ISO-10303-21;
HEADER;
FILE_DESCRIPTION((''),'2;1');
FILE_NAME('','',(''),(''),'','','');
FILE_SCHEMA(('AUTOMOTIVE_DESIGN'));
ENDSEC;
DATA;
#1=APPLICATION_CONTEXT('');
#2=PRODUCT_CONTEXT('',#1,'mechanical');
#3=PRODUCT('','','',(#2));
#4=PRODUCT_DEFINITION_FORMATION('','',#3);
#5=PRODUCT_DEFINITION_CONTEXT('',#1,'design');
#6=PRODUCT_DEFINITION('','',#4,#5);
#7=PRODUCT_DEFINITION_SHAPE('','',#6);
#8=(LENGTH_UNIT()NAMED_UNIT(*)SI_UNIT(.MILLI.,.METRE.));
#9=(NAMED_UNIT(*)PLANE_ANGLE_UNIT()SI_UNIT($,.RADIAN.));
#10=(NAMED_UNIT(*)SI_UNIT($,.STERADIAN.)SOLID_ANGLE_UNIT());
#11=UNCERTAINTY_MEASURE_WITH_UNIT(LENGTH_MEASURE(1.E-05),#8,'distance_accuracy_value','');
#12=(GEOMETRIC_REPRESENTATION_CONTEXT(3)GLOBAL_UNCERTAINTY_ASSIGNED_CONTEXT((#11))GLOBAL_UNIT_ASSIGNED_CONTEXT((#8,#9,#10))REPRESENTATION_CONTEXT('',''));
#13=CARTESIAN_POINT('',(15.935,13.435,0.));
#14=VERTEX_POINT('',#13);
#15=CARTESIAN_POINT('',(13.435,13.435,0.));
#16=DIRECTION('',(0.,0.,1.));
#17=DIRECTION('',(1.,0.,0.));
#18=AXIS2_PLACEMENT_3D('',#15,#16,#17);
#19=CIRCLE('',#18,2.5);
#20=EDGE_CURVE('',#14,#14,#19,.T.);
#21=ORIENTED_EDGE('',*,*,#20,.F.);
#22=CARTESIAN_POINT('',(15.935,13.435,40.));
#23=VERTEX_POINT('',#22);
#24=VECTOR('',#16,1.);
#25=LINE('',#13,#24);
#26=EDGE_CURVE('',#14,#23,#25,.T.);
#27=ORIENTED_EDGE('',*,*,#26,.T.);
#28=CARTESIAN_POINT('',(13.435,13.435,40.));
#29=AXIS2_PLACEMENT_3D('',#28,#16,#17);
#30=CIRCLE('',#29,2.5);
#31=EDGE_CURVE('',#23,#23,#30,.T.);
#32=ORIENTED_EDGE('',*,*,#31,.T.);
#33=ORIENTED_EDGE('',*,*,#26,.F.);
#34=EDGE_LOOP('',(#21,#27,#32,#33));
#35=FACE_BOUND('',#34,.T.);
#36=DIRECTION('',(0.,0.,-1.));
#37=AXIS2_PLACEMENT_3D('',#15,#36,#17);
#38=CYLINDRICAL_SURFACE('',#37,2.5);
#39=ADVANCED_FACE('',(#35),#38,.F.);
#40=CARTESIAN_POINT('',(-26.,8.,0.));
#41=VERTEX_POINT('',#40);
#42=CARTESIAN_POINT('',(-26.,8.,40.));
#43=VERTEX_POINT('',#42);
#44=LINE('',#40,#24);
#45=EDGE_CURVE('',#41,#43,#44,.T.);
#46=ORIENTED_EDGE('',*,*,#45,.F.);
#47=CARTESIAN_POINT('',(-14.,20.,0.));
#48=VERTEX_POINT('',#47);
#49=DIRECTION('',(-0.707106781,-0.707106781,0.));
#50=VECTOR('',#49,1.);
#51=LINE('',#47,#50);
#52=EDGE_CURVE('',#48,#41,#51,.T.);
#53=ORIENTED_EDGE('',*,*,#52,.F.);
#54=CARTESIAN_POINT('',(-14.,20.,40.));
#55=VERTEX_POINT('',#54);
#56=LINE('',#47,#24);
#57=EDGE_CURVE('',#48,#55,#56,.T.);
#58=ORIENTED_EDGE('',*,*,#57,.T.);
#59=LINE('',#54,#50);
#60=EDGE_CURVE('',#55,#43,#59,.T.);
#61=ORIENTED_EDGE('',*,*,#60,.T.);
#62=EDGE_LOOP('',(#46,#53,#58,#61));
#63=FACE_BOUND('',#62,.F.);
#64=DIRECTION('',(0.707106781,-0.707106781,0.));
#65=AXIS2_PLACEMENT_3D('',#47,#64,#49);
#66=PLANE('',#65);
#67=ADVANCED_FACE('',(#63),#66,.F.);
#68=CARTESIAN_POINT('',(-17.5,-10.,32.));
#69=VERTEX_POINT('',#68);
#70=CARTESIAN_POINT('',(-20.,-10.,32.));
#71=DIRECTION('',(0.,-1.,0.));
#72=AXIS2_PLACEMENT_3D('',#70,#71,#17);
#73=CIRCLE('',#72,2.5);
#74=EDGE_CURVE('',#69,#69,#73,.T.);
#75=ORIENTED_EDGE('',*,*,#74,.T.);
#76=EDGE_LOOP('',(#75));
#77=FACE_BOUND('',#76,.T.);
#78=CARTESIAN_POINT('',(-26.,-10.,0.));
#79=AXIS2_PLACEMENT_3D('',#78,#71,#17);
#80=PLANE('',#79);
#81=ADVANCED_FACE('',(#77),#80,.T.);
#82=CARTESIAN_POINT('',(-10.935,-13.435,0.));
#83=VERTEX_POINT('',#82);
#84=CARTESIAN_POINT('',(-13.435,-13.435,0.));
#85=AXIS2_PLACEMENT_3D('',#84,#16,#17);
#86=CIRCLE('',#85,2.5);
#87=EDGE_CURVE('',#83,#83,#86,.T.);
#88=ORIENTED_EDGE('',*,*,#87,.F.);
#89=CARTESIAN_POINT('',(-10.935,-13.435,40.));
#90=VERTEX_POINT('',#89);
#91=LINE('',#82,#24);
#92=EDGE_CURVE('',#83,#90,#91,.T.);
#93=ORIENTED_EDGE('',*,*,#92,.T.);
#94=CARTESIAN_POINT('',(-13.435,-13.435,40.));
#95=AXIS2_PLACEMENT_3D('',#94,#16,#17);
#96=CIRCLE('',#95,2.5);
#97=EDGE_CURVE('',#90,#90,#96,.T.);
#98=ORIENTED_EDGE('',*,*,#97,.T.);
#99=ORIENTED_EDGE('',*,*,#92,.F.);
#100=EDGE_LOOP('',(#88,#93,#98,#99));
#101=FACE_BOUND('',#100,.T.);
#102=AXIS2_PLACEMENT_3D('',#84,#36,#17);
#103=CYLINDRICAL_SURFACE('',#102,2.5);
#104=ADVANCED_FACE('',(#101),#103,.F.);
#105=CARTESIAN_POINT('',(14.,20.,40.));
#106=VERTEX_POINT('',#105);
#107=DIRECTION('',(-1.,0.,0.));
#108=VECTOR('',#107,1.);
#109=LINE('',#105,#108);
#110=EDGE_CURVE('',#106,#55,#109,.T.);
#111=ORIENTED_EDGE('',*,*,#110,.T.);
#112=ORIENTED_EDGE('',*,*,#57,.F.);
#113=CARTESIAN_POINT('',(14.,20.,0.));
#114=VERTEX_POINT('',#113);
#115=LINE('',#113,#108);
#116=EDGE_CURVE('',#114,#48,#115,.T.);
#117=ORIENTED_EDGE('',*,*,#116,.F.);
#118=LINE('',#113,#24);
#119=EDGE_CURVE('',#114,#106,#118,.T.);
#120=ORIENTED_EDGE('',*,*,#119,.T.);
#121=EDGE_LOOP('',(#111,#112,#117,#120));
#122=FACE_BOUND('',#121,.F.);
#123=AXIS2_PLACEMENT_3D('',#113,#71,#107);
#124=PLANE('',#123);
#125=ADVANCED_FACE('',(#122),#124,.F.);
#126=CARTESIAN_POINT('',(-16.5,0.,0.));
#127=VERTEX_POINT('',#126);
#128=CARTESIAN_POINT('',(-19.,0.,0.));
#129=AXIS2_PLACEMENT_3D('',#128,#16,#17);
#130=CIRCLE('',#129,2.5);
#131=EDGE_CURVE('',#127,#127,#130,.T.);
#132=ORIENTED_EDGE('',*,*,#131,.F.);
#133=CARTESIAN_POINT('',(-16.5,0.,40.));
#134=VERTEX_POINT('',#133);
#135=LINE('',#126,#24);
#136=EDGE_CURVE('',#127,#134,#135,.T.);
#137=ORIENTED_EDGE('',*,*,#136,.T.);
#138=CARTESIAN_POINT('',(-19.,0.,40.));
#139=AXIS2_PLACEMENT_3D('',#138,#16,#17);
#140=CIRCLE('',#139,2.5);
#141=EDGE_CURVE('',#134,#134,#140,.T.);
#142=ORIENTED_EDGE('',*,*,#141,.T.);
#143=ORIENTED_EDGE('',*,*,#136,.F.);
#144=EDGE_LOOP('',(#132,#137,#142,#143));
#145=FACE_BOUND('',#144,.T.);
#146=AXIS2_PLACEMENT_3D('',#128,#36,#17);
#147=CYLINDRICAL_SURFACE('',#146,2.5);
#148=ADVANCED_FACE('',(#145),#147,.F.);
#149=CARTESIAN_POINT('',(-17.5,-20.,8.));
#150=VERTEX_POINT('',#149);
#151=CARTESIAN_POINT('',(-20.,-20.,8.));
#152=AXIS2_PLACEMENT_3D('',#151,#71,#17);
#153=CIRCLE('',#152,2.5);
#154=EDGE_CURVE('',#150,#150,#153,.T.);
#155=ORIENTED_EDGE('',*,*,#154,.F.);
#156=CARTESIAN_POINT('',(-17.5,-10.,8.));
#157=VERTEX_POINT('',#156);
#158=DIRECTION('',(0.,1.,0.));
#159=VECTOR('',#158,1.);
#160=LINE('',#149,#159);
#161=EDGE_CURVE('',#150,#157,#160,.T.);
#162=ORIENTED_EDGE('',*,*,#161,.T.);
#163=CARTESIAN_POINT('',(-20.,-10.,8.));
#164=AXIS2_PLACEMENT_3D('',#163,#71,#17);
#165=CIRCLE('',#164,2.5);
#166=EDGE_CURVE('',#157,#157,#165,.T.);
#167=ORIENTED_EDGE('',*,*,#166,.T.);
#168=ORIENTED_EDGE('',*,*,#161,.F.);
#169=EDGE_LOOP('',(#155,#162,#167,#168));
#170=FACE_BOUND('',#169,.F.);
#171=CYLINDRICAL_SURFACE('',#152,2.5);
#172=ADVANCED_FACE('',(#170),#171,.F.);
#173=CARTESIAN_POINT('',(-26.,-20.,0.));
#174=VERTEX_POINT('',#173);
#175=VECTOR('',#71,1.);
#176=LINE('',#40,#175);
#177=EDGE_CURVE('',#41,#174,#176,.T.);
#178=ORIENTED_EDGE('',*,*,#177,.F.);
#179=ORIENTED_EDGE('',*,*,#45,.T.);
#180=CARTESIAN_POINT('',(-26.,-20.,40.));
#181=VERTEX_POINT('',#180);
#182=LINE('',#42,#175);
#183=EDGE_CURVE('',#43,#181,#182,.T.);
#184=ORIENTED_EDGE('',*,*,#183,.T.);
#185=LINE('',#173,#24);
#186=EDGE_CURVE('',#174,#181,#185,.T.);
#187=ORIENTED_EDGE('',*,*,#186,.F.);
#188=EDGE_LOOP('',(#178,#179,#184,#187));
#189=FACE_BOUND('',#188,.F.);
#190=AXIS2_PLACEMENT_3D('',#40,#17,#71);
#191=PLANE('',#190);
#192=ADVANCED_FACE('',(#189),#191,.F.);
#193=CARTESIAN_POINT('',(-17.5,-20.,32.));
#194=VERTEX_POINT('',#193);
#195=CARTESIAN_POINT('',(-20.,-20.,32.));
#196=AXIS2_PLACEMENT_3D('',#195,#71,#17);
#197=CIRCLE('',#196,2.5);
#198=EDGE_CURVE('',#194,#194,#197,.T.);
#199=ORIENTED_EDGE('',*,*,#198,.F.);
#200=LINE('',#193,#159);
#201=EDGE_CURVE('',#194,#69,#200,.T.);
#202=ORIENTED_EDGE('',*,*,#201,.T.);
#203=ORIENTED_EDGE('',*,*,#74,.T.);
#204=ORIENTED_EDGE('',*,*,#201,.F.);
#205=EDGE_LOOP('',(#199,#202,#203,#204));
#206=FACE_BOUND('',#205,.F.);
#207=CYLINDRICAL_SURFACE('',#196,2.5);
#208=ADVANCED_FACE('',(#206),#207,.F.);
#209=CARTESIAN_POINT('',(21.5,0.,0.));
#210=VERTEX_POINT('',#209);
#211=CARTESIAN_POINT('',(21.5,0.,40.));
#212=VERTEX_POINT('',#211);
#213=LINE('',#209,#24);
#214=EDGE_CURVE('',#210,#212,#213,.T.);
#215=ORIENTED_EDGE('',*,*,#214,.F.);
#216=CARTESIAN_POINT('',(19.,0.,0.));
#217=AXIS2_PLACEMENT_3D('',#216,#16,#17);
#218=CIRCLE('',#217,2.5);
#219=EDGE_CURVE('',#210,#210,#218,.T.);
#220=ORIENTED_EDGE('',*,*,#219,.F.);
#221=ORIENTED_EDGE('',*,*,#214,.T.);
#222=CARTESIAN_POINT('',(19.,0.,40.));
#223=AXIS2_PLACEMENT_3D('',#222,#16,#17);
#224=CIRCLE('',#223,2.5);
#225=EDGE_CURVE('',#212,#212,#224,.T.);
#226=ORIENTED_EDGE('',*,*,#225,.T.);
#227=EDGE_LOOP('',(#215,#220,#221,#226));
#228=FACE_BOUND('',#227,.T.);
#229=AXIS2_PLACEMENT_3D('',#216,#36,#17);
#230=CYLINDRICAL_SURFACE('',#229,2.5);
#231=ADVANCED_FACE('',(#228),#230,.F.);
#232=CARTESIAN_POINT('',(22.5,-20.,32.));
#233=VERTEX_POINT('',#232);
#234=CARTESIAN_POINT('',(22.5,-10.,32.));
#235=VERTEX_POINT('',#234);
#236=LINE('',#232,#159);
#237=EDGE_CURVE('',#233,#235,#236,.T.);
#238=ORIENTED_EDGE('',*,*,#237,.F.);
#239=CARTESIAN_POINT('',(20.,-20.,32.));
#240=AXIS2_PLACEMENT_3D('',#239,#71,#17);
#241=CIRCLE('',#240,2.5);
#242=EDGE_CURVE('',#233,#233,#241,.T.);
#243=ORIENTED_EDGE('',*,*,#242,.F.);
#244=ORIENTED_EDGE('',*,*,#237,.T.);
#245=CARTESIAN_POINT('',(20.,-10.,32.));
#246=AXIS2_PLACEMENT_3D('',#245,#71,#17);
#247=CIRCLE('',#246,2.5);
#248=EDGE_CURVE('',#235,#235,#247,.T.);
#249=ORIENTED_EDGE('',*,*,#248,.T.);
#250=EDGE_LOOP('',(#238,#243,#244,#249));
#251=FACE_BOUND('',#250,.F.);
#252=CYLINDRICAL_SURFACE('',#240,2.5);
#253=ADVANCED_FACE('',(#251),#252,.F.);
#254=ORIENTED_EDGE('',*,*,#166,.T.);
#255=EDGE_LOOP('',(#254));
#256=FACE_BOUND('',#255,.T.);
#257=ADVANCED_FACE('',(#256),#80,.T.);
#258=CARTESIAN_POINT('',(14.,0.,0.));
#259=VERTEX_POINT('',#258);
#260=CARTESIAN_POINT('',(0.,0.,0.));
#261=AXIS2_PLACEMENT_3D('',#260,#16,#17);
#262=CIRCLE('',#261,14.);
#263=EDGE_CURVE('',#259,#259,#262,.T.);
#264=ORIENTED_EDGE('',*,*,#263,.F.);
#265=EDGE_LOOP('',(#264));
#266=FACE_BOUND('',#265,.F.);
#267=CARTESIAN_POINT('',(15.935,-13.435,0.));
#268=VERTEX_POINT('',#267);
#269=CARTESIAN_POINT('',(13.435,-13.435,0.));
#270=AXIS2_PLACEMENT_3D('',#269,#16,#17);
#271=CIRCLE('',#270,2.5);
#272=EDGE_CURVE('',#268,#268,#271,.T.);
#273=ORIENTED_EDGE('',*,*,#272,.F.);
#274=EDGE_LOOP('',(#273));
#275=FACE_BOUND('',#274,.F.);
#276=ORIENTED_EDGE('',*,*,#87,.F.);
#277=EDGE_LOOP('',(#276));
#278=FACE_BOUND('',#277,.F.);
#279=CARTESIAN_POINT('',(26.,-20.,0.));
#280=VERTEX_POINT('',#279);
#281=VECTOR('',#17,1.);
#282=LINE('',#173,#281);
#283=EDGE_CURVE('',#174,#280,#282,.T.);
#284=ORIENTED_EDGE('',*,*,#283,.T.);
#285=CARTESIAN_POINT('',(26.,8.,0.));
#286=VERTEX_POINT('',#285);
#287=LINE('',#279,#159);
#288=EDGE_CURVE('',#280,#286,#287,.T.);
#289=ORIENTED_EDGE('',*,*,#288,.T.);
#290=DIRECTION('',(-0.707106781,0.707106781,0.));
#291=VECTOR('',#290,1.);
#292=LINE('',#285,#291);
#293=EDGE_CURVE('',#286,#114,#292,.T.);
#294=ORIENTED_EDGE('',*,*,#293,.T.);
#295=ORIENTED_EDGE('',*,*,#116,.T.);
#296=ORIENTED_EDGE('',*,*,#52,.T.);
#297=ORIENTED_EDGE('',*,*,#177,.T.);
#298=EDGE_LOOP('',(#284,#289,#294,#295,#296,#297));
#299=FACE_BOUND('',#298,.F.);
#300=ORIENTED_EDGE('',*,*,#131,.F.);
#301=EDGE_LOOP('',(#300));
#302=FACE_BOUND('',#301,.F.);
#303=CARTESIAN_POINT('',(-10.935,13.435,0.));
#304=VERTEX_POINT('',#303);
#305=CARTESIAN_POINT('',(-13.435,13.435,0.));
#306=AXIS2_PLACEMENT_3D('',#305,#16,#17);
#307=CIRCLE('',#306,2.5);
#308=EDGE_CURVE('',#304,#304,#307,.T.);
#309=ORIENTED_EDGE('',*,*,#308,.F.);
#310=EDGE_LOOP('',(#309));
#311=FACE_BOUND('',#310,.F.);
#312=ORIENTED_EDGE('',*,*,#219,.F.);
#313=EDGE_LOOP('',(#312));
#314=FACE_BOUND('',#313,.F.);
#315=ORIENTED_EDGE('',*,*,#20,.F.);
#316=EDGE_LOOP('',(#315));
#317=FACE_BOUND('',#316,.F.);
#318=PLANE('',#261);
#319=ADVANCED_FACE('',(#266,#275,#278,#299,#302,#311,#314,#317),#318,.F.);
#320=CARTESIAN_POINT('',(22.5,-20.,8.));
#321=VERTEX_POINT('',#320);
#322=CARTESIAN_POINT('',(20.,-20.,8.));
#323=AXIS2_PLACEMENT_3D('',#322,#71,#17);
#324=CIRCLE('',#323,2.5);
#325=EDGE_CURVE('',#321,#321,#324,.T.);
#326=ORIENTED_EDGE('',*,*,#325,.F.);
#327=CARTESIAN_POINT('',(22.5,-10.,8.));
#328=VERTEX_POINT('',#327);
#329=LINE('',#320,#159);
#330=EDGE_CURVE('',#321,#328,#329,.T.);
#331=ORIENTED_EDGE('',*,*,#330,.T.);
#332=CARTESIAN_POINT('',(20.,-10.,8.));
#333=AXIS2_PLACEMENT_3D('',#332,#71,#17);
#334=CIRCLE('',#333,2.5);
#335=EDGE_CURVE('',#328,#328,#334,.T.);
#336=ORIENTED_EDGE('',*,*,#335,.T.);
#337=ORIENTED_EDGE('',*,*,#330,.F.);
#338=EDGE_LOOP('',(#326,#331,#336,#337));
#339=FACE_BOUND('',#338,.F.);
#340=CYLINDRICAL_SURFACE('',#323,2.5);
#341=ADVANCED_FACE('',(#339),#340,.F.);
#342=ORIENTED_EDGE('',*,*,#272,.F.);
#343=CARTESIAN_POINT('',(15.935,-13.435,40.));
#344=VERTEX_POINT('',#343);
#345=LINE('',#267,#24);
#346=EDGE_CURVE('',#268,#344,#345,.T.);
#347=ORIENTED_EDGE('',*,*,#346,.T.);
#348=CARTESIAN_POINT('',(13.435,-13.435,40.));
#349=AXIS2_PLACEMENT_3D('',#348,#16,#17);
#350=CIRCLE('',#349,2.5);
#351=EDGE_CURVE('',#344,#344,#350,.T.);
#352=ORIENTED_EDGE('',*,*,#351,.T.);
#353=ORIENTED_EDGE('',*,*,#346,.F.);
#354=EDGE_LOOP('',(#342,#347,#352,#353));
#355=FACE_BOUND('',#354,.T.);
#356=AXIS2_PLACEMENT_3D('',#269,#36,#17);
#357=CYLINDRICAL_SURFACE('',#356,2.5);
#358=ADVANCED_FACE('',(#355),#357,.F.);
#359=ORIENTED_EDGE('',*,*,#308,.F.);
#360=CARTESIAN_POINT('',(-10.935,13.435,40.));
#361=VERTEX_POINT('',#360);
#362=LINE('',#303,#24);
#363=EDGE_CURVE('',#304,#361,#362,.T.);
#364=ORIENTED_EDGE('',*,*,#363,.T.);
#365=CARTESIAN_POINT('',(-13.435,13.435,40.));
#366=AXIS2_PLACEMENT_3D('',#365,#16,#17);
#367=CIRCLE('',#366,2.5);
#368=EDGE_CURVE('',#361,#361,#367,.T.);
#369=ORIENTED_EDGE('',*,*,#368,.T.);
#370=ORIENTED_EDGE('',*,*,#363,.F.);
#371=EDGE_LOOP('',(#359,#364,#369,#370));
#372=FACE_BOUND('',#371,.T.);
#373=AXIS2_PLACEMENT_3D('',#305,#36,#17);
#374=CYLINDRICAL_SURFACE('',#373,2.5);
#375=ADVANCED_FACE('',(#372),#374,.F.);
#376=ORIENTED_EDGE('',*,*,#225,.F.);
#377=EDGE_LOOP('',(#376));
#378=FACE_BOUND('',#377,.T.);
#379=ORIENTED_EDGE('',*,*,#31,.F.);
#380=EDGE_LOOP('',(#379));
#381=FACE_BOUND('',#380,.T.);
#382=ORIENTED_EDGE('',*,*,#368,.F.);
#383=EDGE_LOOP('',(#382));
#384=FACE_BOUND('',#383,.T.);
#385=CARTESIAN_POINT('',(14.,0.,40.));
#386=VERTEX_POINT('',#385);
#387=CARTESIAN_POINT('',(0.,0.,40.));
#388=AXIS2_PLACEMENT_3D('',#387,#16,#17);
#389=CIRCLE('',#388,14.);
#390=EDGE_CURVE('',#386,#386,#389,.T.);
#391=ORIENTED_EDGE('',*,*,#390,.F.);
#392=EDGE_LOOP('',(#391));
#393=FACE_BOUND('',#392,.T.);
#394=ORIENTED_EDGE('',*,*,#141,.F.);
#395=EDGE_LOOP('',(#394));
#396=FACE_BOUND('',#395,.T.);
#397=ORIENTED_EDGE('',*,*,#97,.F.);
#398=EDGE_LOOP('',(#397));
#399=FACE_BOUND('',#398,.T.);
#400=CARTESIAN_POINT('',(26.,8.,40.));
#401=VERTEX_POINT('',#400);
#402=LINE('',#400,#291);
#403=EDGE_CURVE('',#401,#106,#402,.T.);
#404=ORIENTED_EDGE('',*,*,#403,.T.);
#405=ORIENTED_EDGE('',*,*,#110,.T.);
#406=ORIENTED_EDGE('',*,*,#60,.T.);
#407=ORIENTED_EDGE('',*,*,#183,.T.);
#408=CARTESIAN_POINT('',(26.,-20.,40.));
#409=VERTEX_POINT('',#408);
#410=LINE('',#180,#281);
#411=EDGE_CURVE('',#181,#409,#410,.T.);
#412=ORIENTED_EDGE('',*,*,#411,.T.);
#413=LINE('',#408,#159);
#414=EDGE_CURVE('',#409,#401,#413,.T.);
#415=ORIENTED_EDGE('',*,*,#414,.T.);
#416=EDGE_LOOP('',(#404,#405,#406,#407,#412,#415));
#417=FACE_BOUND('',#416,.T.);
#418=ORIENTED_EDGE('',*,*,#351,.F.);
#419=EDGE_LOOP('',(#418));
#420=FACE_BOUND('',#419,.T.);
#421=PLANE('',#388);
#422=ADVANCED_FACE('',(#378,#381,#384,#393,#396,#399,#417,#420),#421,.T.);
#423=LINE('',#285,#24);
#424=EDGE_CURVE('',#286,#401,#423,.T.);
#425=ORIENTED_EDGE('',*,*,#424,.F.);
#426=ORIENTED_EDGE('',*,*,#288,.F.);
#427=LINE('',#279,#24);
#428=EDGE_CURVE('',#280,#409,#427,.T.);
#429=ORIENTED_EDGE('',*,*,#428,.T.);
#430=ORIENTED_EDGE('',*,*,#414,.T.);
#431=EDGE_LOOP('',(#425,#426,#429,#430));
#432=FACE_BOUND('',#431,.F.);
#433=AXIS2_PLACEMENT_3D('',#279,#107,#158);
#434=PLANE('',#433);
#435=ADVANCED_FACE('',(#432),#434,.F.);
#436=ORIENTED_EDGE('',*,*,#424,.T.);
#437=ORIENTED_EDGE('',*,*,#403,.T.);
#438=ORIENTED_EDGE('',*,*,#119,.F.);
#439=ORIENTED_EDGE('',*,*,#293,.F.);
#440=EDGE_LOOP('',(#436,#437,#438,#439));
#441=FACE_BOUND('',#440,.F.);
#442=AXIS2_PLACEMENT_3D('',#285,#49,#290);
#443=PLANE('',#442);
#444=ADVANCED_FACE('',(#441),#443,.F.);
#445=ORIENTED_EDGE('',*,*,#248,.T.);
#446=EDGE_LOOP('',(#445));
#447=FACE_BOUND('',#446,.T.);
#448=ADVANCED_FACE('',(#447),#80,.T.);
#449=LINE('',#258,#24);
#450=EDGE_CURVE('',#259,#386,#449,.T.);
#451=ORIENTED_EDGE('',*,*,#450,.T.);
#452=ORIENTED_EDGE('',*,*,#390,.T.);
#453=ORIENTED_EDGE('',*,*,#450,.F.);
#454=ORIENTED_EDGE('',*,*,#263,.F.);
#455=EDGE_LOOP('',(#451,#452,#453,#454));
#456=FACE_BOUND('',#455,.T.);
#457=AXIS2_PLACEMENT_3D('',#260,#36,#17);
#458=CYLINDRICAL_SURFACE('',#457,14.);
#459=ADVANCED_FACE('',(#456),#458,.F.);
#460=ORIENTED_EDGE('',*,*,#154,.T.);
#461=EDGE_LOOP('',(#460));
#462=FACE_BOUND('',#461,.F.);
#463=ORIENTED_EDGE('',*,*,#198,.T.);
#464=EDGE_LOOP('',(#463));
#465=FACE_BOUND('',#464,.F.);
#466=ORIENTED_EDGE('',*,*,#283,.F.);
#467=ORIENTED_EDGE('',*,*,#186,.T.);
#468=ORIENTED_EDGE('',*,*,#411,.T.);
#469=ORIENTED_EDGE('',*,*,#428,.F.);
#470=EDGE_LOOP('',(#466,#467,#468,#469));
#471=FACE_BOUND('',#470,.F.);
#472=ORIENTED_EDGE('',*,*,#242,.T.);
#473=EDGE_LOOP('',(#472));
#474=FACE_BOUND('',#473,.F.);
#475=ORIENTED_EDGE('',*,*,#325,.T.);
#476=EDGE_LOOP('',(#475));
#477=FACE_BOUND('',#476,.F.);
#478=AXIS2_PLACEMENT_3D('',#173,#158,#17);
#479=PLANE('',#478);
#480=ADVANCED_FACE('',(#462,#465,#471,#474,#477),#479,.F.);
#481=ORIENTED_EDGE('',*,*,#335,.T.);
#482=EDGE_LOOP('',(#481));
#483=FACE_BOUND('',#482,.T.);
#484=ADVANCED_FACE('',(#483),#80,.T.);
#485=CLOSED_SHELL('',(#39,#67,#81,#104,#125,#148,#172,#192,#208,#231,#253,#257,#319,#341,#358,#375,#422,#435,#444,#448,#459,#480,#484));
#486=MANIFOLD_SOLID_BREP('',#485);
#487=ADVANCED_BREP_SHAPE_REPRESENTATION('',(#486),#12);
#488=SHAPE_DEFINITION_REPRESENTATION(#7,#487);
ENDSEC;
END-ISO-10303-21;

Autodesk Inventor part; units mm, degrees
ref_plane "YZ Plane" through (0, 0, 0) normal (1, 0, 0) x (0, 1, 0)
ref_plane "XZ Plane" through (0, 0, 0) normal (0, 1, 0) x (-1, 0, 0)
ref_plane "XY Plane" through (0, 0, 0) normal (0, 0, 1) x (1, 0, 0)
sketch "Sketch1" plane through (0, 0, 0) normal (0, 0, 1) x (1, 0, 0)
  circle A0 centre (0, 0) radius 14
  line L0 (-26, -20) -> (26, -20)
  line L1 (26, -20) -> (26, 8)
  line L2 (26, 8) -> (14, 20)
  line L3 (14, 20) -> (-14, 20)
  line L4 (-14, 20) -> (-26, 8)
  line L5 (-26, 8) -> (-26, -20)
  circle A1 centre (0, 0) radius 19 construction
  circle A2 centre (13.435, 13.435) radius 2.5
  circle A3 centre (-13.435, -13.435) radius 2.5
  circle A4 centre (13.435, -13.435) radius 2.5
  circle A5 centre (-13.435, 13.435) radius 2.5
  circle A6 centre (-19, 0) radius 2.5
  circle A7 centre (19, 0) radius 2.5
  line L6 (-13.435, 13.435) -> (0, 0) construction
  line L7 (0, 0) -> (-19, 0) construction
  point P0 (0, 20)
  point P1 (0, -20)
  dimension "d0" = 28
  dimension "d1" = 40
  dimension "d2" = 52
  dimension "d3" = 38
  dimension "d4" = 5
  dimension "d5" = 45
  dimension "d6" = 20
  dimension "d7" = 135
  dimension "d8" = 12
extrude "Extrusion1" add sketch "Sketch1" along normal blind 40
sketch "Sketch2" plane through (-26, -20, 0) normal (0, -1, 0) x (1, 0, 0)
  circle A0 centre (6, 32) radius 2.5
  circle A1 centre (46, 32) radius 2.5
  circle A2 centre (6, 8) radius 2.5
  circle A3 centre (46, 8) radius 2.5
  line L0 (6, 32) -> (46, 32) construction
  line L1 (46, 32) -> (46, 8) construction
  line L2 (46, 8) -> (6, 8) construction
  line L3 (6, 8) -> (6, 32) construction
  line L4 (0, 40) -> (52, 40) construction
  line L5 (52, 0) -> (52, 40) construction
  point P0 (26, 0)
  point P1 (26, 32)
  point P2 (26, 40)
  point P3 (46, 20)
  point P4 (52, 20)
  dimension "d11" = 5
  dimension "d12" = 40
  dimension "d13" = 24
extrude "Extrusion2" cut sketch "Sketch2" against normal blind 10
properties part number "DSG16H"
